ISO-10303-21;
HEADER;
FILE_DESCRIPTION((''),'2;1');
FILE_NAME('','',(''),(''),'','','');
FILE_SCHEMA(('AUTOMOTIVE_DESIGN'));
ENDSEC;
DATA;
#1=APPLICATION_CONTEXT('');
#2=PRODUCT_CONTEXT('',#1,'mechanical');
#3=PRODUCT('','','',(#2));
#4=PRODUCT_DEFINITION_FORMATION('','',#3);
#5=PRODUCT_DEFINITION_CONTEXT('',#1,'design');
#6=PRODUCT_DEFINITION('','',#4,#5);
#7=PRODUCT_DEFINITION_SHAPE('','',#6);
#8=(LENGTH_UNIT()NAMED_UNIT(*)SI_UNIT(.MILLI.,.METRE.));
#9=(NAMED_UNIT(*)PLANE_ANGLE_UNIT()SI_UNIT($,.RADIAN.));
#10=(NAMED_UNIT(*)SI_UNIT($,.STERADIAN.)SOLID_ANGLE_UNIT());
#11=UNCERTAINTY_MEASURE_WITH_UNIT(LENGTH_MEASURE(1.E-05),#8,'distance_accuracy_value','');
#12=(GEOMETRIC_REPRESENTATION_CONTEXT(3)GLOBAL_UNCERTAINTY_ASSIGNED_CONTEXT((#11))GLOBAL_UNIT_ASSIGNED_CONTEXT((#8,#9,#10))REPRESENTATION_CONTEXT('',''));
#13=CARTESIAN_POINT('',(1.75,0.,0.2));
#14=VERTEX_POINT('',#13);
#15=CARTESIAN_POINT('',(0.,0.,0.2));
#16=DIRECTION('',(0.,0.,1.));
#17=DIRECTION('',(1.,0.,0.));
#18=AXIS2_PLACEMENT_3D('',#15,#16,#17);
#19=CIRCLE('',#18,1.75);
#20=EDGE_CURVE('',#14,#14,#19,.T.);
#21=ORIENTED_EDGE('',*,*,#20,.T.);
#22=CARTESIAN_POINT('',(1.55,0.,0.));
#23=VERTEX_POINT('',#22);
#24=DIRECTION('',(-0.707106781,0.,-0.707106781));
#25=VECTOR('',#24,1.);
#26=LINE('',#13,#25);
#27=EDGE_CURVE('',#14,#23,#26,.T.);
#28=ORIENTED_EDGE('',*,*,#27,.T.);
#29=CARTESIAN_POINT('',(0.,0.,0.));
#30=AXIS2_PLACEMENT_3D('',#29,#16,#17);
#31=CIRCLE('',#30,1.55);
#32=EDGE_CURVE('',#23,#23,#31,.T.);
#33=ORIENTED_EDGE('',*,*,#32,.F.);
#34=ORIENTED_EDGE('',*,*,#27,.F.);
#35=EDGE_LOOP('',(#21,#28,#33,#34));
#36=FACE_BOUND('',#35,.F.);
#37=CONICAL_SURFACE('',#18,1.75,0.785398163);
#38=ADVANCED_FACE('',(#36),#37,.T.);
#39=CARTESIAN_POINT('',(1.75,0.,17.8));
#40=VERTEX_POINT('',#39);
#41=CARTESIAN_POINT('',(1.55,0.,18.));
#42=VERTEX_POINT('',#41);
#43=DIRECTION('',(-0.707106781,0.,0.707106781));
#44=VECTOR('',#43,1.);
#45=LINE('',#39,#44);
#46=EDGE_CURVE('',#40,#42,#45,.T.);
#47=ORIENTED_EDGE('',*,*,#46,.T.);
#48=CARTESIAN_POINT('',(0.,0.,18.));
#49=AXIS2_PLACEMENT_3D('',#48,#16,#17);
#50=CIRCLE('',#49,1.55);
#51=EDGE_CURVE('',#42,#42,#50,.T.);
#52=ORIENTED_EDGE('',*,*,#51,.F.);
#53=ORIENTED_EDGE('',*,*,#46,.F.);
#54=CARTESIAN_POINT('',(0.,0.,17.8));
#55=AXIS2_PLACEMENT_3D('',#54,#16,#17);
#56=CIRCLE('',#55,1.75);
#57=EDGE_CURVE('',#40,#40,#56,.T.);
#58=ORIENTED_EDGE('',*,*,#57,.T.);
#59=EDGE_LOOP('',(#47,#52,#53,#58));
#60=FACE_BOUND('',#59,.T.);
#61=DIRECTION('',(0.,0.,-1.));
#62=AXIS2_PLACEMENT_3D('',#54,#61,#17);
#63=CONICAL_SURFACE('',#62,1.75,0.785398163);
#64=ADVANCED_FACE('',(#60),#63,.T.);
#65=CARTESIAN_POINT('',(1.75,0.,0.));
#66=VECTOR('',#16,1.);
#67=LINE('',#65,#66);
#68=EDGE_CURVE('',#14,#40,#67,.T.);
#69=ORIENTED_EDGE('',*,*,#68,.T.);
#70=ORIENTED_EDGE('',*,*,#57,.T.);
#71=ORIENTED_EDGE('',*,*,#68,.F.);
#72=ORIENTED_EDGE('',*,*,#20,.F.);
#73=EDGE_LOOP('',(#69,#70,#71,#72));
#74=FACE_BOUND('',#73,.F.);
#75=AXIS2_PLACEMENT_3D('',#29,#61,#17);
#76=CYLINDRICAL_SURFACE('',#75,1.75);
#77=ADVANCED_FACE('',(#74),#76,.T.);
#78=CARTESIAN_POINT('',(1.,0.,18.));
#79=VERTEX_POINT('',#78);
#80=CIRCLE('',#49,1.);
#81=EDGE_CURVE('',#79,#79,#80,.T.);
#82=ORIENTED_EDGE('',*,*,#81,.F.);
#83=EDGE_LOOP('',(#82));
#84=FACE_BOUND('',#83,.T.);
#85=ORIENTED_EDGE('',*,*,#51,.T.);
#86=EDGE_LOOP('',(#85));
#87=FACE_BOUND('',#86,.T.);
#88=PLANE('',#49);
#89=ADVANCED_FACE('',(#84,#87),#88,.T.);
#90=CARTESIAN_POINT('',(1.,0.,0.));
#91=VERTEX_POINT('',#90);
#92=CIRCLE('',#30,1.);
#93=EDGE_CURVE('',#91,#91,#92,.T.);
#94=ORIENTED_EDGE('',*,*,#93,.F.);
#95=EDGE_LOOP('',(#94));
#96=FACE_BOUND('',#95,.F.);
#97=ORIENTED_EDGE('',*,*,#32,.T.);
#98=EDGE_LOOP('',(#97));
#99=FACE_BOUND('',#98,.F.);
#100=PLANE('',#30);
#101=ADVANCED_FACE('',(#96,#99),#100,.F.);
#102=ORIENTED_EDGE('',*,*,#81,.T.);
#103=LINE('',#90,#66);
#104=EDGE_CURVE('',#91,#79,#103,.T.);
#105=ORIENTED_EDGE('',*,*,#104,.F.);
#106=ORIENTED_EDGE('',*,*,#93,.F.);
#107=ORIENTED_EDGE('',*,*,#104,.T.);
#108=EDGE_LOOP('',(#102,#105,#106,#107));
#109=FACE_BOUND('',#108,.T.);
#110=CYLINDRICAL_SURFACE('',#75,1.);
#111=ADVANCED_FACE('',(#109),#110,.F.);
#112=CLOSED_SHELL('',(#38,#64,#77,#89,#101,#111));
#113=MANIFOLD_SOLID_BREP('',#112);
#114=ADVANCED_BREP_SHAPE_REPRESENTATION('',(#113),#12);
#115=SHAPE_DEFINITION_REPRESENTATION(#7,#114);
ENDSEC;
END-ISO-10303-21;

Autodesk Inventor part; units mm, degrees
ref_plane "YZ Plane" through (0, 0, 0) normal (1, 0, 0) x (0, 1, 0)
ref_plane "XZ Plane" through (0, 0, 0) normal (0, 1, 0) x (-1, 0, 0)
ref_plane "XY Plane" through (0, 0, 0) normal (0, 0, 1) x (1, 0, 0)
sketch "Skizze3" plane through (0, 0, 0) normal (0, 0, 1) x (1, 0, 0)
  circle A0 centre (0, 0) radius 1
  circle A1 centre (0, 0) radius 1.75
  dimension "d4" = 2
  dimension "d5" = 0.75
extrude "Extrusion3" add sketch "Skizze3" along normal blind 18
chamfer "Fase1" distance 0.2 angle 45 2 edges at (-1.75, 0, 18) (-1.75, 0, 0)
properties part number "BT008_huenin20_23" material "Edelstahl, poliert"
